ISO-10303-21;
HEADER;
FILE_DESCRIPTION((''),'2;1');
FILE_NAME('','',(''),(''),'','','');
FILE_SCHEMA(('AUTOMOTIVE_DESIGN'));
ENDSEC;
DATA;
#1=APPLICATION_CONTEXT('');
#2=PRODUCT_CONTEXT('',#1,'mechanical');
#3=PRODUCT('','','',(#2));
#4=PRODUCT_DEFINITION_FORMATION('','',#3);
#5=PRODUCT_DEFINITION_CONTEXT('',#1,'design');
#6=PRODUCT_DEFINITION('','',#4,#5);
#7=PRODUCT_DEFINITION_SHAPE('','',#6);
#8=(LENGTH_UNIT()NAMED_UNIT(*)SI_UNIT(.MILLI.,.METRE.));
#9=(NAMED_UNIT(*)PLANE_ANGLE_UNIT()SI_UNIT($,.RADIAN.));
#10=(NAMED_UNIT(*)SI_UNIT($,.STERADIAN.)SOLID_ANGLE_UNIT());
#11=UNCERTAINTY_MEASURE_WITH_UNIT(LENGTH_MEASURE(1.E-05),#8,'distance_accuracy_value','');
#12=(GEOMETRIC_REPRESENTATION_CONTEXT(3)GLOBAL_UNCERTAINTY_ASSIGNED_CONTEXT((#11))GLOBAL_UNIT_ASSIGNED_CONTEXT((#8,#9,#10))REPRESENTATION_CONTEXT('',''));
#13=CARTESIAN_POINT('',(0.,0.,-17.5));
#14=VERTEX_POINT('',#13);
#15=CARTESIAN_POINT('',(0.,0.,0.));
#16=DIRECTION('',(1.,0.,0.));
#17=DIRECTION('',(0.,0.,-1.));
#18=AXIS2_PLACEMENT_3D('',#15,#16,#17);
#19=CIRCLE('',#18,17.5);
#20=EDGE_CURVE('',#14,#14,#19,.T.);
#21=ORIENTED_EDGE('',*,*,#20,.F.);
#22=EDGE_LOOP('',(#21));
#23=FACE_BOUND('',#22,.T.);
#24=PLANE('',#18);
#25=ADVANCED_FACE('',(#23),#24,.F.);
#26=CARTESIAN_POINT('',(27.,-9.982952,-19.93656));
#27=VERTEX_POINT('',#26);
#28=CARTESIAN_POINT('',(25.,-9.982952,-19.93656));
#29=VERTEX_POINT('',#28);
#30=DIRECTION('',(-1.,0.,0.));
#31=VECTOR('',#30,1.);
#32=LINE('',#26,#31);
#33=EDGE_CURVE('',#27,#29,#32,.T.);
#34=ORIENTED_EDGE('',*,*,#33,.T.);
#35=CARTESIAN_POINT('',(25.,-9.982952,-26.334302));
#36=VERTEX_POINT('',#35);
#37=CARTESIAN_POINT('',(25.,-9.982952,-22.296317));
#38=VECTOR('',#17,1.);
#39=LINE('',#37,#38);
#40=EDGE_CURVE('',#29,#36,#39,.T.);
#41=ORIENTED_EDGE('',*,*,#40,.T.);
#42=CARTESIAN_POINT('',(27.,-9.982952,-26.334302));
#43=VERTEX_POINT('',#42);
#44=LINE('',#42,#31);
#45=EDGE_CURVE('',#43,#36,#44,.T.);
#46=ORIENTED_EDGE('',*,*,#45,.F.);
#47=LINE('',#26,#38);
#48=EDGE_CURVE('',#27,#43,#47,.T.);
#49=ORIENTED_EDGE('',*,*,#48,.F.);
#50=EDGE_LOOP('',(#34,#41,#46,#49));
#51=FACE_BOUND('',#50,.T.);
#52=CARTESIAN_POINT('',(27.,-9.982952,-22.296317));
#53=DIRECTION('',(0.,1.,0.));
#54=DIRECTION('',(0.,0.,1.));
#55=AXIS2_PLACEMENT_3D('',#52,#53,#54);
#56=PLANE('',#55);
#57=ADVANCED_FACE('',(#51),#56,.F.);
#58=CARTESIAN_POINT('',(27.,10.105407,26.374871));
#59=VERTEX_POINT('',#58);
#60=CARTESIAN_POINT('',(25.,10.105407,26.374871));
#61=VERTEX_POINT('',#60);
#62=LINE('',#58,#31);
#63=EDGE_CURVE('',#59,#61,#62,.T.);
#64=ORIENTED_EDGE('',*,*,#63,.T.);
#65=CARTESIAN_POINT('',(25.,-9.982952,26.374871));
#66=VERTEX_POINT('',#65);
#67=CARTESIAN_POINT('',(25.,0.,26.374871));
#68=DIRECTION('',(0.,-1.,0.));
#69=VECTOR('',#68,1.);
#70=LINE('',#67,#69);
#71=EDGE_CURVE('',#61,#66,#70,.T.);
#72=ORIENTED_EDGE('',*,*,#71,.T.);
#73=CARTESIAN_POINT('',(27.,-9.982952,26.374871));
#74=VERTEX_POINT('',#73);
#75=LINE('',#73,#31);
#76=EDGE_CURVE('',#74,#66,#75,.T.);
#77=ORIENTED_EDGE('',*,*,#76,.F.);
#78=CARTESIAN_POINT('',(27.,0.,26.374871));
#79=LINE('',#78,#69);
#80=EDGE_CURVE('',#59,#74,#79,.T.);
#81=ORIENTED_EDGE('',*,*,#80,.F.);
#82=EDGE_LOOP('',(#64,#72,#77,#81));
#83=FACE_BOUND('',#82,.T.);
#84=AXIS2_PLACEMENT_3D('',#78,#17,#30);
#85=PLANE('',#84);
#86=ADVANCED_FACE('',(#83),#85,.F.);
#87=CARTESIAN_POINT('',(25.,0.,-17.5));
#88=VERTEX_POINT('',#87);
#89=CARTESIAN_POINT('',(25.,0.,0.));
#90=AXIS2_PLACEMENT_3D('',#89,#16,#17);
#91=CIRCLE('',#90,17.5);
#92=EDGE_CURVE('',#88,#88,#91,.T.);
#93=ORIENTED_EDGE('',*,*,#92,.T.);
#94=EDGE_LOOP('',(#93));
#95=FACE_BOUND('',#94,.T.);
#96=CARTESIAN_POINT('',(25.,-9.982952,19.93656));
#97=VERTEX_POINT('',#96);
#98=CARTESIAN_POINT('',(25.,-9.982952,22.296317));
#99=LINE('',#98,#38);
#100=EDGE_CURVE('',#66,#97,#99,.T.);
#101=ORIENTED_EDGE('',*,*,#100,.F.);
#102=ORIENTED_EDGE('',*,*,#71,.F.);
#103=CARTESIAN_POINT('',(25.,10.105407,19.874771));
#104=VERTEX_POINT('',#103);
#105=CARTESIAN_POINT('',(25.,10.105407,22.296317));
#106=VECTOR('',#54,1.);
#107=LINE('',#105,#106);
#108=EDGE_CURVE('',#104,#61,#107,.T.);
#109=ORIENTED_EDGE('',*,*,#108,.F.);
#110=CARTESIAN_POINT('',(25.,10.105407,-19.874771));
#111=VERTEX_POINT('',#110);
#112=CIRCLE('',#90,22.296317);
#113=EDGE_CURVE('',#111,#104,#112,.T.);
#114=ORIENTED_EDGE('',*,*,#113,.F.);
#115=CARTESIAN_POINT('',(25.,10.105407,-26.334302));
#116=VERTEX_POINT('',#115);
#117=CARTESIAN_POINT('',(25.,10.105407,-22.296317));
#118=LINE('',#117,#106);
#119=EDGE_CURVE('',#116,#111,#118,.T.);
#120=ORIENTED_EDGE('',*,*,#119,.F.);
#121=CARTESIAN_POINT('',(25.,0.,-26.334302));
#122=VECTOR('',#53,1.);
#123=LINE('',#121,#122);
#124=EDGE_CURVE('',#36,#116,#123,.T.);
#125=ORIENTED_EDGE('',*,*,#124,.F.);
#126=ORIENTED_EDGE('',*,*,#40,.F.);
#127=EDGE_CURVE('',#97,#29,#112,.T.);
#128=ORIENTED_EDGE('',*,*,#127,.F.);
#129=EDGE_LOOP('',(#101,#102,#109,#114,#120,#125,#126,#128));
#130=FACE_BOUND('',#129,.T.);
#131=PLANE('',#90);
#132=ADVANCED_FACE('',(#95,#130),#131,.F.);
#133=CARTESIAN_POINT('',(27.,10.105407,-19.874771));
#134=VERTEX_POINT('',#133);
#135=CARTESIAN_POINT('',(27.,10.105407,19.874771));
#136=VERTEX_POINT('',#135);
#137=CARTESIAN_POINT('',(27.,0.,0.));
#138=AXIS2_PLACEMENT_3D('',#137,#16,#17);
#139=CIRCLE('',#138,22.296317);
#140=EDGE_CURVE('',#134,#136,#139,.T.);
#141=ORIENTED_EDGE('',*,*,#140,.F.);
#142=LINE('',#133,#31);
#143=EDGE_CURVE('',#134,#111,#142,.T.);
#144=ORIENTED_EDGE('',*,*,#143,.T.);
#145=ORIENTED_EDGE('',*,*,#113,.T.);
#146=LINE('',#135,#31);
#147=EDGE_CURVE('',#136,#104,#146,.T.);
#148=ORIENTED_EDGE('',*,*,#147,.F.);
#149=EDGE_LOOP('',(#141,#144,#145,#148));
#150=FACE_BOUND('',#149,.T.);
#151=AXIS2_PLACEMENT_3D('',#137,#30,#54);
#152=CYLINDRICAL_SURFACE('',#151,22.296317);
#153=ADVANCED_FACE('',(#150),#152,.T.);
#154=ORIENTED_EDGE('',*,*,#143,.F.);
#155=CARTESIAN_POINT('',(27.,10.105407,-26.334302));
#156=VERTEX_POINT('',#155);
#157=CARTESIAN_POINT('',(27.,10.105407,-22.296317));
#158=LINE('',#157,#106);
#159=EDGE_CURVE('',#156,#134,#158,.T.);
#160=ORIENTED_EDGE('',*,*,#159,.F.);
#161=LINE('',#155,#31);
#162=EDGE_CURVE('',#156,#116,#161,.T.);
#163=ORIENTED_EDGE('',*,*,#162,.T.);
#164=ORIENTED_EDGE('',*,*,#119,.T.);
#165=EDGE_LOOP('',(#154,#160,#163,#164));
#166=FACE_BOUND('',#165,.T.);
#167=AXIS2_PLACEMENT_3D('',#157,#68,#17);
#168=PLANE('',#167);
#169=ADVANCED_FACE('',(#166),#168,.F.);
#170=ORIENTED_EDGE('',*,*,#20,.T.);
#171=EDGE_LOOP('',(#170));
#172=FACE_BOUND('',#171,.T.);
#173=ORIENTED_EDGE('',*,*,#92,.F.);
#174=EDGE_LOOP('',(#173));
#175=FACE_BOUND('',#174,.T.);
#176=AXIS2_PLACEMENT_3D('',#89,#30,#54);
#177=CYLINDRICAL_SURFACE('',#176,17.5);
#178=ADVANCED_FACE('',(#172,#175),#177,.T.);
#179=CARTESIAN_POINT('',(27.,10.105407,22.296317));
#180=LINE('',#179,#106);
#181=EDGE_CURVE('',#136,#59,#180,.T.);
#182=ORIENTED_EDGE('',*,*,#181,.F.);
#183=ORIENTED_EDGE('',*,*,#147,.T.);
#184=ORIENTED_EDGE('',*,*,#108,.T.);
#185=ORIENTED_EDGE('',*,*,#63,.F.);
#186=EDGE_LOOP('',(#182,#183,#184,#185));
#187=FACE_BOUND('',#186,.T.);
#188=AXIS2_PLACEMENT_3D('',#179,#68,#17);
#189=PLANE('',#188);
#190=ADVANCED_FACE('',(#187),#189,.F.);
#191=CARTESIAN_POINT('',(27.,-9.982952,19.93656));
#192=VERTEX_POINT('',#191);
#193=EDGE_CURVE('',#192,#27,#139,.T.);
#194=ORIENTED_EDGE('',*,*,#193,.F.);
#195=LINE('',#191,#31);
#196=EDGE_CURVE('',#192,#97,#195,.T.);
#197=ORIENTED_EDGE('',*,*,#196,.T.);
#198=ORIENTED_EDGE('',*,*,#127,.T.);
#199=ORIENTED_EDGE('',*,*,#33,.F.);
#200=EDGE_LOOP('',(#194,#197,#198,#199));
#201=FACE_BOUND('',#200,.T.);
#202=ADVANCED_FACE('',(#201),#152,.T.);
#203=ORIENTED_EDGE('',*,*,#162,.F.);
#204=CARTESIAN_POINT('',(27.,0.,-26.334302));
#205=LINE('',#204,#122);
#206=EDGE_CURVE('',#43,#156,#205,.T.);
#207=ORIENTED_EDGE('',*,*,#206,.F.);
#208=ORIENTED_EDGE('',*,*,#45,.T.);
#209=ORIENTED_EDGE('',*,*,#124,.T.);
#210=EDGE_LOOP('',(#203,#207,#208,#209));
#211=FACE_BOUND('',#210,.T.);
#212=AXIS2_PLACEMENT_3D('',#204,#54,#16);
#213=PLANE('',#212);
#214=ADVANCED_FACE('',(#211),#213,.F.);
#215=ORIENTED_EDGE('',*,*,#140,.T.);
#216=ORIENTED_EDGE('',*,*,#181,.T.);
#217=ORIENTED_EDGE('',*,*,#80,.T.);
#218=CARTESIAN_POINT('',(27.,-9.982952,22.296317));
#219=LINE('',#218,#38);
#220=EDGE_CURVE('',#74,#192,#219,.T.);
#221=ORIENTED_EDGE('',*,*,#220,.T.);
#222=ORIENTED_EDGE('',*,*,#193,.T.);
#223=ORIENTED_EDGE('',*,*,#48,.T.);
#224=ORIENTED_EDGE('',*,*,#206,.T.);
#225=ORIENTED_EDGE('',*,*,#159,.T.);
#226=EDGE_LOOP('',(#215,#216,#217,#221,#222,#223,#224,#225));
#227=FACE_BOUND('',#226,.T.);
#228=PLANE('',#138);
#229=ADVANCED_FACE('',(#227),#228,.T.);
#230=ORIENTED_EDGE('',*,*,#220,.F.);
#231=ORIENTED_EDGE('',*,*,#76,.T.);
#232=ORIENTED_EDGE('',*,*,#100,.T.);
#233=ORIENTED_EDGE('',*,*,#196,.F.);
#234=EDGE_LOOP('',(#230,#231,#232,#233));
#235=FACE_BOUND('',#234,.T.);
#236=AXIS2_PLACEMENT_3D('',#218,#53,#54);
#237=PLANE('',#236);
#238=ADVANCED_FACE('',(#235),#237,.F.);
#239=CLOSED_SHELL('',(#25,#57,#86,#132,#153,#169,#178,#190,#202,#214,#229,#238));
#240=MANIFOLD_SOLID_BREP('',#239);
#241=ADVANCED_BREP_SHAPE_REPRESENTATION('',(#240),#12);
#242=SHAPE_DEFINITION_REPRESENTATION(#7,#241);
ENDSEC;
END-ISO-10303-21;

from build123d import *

# Parameters (mm, degrees)
SKETCH_2_R      = 17.5
EXTRUDE_1_DEPTH = 25
EXTRUDE_2_DEPTH = 2


with BuildPart() as part:
    # 草图2 → 凸台-拉伸1 (new body)
    with BuildSketch(Plane(origin=(0, 0, 0), x_dir=(0, 0, -1), z_dir=(1, 0, 0))):
        Circle(SKETCH_2_R)
    extrude(amount=EXTRUDE_1_DEPTH)

    # 草图3 → 凸台-拉伸2 (add)
    with BuildSketch(Plane(origin=(25, 0, 0), x_dir=(0, 0, -1), z_dir=(1, 0, 0))):
        with BuildLine():
            Line((-22.296317142, 10.105406997), (-19.874770628, 10.105406997))
            ThreePointArc((-19.874770628, 10.105406997), (0, 22.296317142), (19.874770628, 10.105406997))
            Line((19.874770628, 10.105406997), (22.296317142, 10.105406997))
            Line((22.296317142, 10.105406997), (26.334302173, 10.105406997))
            Line((26.334302173, 10.105406997), (26.334302173, 0))
            Line((26.334302173, 0), (26.334302173, -9.98295184))
            Line((26.334302173, -9.98295184), (22.296317142, -9.98295184))
            Line((22.296317142, -9.98295184), (19.936560151, -9.98295184))
            ThreePointArc((19.936560151, -9.98295184), (0, -22.296317142), (-19.936560151, -9.98295184))
            Line((-19.936560151, -9.98295184), (-22.296317142, -9.98295184))
            Line((-22.296317142, -9.98295184), (-26.374870703, -9.98295184))
            Line((-26.374870703, -9.98295184), (-26.374870703, 0))
            Line((-26.374870703, 0), (-26.374870703, 10.105406997))
            Line((-26.374870703, 10.105406997), (-22.296317142, 10.105406997))
        make_face()
    extrude(amount=EXTRUDE_2_DEPTH)


solid = part.part
